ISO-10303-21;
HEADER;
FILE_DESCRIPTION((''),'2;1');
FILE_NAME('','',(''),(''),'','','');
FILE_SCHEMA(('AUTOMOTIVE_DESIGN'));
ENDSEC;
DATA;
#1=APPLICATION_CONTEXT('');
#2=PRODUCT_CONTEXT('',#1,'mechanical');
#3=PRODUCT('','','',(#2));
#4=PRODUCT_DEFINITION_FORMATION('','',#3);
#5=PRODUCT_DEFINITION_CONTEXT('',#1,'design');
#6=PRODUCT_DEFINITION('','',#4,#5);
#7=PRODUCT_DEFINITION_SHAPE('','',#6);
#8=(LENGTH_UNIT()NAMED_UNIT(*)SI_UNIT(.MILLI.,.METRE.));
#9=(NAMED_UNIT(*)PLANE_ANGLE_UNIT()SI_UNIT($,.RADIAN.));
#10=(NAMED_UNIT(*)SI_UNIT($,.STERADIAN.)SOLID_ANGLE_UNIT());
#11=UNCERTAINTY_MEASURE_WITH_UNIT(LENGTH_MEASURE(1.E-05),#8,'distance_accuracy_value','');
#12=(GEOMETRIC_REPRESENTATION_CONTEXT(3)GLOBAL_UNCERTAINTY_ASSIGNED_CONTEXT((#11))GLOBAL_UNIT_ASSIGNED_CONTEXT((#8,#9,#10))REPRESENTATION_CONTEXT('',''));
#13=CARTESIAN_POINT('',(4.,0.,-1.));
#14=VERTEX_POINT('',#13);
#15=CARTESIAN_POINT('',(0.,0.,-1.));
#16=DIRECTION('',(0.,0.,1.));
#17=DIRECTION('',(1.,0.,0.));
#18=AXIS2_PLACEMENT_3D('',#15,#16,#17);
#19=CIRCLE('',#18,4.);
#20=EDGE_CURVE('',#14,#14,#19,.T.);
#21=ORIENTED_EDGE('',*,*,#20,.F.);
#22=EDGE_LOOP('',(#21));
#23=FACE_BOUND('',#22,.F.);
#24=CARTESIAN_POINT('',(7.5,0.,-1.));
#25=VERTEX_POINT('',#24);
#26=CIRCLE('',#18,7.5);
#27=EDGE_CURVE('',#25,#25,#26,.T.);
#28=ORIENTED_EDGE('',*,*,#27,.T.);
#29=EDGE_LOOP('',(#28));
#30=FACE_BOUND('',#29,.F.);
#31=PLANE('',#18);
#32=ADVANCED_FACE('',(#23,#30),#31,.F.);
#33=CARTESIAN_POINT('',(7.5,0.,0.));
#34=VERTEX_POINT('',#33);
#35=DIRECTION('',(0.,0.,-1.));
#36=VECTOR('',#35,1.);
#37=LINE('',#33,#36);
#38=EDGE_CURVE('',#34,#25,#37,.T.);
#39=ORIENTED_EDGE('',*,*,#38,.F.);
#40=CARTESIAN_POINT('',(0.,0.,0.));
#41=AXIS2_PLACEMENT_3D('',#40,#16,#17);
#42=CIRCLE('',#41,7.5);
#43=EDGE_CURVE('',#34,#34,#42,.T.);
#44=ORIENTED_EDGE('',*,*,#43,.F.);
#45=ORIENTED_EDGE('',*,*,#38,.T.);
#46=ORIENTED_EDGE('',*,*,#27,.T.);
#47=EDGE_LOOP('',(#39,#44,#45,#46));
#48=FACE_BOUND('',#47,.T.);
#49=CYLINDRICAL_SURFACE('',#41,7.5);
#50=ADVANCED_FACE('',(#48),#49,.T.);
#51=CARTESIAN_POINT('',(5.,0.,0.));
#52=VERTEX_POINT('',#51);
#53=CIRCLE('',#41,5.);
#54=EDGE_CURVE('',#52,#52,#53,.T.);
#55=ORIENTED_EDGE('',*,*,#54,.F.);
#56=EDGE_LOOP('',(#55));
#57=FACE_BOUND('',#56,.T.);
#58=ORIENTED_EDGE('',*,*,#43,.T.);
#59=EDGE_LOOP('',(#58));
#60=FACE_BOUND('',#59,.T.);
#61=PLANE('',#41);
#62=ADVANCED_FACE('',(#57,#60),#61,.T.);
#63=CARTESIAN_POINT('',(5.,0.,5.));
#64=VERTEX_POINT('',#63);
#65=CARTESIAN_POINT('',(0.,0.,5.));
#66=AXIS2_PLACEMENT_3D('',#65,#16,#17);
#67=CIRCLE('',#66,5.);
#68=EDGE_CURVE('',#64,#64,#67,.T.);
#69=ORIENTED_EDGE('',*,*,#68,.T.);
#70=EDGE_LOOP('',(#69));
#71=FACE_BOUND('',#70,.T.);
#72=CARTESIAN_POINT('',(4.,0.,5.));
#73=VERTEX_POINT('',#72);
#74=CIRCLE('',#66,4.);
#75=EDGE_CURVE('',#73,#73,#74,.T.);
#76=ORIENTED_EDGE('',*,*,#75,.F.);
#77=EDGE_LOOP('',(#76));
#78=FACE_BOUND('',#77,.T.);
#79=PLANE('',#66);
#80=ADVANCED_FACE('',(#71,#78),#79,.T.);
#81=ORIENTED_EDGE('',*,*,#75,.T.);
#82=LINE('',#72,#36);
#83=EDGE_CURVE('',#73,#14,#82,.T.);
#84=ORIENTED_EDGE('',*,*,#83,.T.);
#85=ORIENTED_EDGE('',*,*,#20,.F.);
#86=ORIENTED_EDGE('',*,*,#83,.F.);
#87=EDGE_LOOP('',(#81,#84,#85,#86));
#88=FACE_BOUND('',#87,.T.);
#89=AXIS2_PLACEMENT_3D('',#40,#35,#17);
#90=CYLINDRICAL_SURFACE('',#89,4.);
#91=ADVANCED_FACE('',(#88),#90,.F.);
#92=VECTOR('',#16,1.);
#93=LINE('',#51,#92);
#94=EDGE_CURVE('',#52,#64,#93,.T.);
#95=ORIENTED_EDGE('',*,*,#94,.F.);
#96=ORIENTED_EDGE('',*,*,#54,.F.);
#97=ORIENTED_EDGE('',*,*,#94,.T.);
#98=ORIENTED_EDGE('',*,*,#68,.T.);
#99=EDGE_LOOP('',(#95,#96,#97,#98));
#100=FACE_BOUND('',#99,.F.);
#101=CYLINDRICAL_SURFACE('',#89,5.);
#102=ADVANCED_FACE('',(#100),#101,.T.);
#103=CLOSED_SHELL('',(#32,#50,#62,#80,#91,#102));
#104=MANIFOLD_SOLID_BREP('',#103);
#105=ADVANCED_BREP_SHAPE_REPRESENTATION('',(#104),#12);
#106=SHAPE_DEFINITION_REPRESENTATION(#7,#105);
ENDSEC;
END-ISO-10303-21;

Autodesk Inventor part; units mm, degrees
ref_plane "YZ Plane" through (0, 0, 0) normal (1, 0, 0) x (0, 1, 0)
ref_plane "XZ Plane" through (0, 0, 0) normal (0, 1, 0) x (-1, 0, 0)
ref_plane "XY Plane" through (0, 0, 0) normal (0, 0, 1) x (1, 0, 0)
sketch "スケッチ1" plane through (0, 0, 0) normal (0, 0, 1) x (1, 0, 0)
  circle A0 centre (0, 0) radius 7.5
  circle A1 centre (0, 0) radius 5
  circle A2 centre (0, 0) radius 4
  dimension "d0" = 15
  dimension "d1" = 10
  dimension "d2" = 8
extrude "押し出し1" add sketch "スケッチ1" along normal blind 5 contours A1
extrude "押し出し2" add sketch "スケッチ1" against normal blind 1 contours A0 | A1
properties part number "オイレス　m4　8-6　フランジ付き" material "アセタール樹脂、黒"
